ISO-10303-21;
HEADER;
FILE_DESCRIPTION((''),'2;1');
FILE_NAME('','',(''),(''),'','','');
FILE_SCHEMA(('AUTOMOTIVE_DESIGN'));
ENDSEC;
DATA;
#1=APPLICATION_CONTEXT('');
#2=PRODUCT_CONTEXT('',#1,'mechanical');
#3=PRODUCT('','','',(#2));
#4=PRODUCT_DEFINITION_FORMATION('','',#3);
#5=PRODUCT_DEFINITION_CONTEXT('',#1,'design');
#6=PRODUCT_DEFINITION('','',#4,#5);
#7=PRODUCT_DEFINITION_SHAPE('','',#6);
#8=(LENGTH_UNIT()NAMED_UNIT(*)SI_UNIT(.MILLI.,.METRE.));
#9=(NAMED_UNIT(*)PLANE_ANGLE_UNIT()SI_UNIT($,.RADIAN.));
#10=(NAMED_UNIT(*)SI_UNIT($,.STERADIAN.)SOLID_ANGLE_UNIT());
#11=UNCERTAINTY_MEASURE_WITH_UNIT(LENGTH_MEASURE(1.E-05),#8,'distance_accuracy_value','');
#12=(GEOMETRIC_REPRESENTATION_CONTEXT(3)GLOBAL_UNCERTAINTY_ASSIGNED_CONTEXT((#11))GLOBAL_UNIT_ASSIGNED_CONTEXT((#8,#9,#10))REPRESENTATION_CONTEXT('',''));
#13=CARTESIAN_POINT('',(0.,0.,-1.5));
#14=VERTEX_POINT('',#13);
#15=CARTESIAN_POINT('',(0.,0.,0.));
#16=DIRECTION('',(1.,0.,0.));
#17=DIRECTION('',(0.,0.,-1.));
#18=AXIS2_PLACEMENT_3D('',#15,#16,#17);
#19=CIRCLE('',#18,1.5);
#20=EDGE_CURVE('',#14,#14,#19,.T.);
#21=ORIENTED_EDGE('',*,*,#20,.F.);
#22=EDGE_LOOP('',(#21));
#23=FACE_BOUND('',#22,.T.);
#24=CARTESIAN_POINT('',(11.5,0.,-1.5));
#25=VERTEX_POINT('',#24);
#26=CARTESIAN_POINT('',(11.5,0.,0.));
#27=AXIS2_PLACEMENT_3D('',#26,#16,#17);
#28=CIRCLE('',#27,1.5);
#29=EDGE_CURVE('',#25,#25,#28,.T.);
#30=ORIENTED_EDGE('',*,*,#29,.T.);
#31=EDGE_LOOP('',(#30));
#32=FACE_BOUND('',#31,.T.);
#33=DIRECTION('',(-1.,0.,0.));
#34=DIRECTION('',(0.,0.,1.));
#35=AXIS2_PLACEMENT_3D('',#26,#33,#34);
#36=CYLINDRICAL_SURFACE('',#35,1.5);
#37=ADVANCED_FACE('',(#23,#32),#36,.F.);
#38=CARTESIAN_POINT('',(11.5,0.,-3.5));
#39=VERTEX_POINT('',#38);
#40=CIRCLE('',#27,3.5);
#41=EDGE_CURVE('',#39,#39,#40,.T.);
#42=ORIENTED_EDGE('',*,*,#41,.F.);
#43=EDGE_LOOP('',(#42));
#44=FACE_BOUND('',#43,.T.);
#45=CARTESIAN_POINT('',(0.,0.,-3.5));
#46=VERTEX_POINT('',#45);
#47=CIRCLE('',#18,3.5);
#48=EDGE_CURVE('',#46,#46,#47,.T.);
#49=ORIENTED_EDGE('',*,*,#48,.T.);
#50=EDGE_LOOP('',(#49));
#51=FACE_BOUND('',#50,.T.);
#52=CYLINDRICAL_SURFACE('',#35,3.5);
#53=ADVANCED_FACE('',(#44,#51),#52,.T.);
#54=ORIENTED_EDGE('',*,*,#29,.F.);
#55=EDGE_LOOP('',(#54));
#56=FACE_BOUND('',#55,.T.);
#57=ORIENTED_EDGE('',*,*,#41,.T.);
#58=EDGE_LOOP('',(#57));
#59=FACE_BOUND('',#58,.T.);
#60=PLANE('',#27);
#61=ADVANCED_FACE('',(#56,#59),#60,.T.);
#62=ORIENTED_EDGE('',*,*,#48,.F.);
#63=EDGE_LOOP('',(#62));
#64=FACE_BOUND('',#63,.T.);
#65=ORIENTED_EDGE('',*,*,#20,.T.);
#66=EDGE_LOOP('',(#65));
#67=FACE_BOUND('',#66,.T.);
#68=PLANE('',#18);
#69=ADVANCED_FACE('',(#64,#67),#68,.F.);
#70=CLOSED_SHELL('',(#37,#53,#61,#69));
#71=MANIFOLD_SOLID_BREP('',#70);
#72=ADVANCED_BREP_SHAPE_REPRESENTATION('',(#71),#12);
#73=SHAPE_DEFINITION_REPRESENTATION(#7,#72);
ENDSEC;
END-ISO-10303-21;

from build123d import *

# Parameters (mm, degrees)
SKETCH_1_R      = 3.5
SKETCH_1_R_2    = 1.5
EXTRUDE_1_DEPTH = 11.5


with BuildPart() as part:
    # 草图1 → 凸台-拉伸1 (new body)
    with BuildSketch(Plane(origin=(0, 0, 0), x_dir=(0, 0, -1), z_dir=(1, 0, 0))):
        Circle(SKETCH_1_R)
        Circle(SKETCH_1_R_2, mode=Mode.SUBTRACT)
    extrude(amount=EXTRUDE_1_DEPTH)


solid = part.part
